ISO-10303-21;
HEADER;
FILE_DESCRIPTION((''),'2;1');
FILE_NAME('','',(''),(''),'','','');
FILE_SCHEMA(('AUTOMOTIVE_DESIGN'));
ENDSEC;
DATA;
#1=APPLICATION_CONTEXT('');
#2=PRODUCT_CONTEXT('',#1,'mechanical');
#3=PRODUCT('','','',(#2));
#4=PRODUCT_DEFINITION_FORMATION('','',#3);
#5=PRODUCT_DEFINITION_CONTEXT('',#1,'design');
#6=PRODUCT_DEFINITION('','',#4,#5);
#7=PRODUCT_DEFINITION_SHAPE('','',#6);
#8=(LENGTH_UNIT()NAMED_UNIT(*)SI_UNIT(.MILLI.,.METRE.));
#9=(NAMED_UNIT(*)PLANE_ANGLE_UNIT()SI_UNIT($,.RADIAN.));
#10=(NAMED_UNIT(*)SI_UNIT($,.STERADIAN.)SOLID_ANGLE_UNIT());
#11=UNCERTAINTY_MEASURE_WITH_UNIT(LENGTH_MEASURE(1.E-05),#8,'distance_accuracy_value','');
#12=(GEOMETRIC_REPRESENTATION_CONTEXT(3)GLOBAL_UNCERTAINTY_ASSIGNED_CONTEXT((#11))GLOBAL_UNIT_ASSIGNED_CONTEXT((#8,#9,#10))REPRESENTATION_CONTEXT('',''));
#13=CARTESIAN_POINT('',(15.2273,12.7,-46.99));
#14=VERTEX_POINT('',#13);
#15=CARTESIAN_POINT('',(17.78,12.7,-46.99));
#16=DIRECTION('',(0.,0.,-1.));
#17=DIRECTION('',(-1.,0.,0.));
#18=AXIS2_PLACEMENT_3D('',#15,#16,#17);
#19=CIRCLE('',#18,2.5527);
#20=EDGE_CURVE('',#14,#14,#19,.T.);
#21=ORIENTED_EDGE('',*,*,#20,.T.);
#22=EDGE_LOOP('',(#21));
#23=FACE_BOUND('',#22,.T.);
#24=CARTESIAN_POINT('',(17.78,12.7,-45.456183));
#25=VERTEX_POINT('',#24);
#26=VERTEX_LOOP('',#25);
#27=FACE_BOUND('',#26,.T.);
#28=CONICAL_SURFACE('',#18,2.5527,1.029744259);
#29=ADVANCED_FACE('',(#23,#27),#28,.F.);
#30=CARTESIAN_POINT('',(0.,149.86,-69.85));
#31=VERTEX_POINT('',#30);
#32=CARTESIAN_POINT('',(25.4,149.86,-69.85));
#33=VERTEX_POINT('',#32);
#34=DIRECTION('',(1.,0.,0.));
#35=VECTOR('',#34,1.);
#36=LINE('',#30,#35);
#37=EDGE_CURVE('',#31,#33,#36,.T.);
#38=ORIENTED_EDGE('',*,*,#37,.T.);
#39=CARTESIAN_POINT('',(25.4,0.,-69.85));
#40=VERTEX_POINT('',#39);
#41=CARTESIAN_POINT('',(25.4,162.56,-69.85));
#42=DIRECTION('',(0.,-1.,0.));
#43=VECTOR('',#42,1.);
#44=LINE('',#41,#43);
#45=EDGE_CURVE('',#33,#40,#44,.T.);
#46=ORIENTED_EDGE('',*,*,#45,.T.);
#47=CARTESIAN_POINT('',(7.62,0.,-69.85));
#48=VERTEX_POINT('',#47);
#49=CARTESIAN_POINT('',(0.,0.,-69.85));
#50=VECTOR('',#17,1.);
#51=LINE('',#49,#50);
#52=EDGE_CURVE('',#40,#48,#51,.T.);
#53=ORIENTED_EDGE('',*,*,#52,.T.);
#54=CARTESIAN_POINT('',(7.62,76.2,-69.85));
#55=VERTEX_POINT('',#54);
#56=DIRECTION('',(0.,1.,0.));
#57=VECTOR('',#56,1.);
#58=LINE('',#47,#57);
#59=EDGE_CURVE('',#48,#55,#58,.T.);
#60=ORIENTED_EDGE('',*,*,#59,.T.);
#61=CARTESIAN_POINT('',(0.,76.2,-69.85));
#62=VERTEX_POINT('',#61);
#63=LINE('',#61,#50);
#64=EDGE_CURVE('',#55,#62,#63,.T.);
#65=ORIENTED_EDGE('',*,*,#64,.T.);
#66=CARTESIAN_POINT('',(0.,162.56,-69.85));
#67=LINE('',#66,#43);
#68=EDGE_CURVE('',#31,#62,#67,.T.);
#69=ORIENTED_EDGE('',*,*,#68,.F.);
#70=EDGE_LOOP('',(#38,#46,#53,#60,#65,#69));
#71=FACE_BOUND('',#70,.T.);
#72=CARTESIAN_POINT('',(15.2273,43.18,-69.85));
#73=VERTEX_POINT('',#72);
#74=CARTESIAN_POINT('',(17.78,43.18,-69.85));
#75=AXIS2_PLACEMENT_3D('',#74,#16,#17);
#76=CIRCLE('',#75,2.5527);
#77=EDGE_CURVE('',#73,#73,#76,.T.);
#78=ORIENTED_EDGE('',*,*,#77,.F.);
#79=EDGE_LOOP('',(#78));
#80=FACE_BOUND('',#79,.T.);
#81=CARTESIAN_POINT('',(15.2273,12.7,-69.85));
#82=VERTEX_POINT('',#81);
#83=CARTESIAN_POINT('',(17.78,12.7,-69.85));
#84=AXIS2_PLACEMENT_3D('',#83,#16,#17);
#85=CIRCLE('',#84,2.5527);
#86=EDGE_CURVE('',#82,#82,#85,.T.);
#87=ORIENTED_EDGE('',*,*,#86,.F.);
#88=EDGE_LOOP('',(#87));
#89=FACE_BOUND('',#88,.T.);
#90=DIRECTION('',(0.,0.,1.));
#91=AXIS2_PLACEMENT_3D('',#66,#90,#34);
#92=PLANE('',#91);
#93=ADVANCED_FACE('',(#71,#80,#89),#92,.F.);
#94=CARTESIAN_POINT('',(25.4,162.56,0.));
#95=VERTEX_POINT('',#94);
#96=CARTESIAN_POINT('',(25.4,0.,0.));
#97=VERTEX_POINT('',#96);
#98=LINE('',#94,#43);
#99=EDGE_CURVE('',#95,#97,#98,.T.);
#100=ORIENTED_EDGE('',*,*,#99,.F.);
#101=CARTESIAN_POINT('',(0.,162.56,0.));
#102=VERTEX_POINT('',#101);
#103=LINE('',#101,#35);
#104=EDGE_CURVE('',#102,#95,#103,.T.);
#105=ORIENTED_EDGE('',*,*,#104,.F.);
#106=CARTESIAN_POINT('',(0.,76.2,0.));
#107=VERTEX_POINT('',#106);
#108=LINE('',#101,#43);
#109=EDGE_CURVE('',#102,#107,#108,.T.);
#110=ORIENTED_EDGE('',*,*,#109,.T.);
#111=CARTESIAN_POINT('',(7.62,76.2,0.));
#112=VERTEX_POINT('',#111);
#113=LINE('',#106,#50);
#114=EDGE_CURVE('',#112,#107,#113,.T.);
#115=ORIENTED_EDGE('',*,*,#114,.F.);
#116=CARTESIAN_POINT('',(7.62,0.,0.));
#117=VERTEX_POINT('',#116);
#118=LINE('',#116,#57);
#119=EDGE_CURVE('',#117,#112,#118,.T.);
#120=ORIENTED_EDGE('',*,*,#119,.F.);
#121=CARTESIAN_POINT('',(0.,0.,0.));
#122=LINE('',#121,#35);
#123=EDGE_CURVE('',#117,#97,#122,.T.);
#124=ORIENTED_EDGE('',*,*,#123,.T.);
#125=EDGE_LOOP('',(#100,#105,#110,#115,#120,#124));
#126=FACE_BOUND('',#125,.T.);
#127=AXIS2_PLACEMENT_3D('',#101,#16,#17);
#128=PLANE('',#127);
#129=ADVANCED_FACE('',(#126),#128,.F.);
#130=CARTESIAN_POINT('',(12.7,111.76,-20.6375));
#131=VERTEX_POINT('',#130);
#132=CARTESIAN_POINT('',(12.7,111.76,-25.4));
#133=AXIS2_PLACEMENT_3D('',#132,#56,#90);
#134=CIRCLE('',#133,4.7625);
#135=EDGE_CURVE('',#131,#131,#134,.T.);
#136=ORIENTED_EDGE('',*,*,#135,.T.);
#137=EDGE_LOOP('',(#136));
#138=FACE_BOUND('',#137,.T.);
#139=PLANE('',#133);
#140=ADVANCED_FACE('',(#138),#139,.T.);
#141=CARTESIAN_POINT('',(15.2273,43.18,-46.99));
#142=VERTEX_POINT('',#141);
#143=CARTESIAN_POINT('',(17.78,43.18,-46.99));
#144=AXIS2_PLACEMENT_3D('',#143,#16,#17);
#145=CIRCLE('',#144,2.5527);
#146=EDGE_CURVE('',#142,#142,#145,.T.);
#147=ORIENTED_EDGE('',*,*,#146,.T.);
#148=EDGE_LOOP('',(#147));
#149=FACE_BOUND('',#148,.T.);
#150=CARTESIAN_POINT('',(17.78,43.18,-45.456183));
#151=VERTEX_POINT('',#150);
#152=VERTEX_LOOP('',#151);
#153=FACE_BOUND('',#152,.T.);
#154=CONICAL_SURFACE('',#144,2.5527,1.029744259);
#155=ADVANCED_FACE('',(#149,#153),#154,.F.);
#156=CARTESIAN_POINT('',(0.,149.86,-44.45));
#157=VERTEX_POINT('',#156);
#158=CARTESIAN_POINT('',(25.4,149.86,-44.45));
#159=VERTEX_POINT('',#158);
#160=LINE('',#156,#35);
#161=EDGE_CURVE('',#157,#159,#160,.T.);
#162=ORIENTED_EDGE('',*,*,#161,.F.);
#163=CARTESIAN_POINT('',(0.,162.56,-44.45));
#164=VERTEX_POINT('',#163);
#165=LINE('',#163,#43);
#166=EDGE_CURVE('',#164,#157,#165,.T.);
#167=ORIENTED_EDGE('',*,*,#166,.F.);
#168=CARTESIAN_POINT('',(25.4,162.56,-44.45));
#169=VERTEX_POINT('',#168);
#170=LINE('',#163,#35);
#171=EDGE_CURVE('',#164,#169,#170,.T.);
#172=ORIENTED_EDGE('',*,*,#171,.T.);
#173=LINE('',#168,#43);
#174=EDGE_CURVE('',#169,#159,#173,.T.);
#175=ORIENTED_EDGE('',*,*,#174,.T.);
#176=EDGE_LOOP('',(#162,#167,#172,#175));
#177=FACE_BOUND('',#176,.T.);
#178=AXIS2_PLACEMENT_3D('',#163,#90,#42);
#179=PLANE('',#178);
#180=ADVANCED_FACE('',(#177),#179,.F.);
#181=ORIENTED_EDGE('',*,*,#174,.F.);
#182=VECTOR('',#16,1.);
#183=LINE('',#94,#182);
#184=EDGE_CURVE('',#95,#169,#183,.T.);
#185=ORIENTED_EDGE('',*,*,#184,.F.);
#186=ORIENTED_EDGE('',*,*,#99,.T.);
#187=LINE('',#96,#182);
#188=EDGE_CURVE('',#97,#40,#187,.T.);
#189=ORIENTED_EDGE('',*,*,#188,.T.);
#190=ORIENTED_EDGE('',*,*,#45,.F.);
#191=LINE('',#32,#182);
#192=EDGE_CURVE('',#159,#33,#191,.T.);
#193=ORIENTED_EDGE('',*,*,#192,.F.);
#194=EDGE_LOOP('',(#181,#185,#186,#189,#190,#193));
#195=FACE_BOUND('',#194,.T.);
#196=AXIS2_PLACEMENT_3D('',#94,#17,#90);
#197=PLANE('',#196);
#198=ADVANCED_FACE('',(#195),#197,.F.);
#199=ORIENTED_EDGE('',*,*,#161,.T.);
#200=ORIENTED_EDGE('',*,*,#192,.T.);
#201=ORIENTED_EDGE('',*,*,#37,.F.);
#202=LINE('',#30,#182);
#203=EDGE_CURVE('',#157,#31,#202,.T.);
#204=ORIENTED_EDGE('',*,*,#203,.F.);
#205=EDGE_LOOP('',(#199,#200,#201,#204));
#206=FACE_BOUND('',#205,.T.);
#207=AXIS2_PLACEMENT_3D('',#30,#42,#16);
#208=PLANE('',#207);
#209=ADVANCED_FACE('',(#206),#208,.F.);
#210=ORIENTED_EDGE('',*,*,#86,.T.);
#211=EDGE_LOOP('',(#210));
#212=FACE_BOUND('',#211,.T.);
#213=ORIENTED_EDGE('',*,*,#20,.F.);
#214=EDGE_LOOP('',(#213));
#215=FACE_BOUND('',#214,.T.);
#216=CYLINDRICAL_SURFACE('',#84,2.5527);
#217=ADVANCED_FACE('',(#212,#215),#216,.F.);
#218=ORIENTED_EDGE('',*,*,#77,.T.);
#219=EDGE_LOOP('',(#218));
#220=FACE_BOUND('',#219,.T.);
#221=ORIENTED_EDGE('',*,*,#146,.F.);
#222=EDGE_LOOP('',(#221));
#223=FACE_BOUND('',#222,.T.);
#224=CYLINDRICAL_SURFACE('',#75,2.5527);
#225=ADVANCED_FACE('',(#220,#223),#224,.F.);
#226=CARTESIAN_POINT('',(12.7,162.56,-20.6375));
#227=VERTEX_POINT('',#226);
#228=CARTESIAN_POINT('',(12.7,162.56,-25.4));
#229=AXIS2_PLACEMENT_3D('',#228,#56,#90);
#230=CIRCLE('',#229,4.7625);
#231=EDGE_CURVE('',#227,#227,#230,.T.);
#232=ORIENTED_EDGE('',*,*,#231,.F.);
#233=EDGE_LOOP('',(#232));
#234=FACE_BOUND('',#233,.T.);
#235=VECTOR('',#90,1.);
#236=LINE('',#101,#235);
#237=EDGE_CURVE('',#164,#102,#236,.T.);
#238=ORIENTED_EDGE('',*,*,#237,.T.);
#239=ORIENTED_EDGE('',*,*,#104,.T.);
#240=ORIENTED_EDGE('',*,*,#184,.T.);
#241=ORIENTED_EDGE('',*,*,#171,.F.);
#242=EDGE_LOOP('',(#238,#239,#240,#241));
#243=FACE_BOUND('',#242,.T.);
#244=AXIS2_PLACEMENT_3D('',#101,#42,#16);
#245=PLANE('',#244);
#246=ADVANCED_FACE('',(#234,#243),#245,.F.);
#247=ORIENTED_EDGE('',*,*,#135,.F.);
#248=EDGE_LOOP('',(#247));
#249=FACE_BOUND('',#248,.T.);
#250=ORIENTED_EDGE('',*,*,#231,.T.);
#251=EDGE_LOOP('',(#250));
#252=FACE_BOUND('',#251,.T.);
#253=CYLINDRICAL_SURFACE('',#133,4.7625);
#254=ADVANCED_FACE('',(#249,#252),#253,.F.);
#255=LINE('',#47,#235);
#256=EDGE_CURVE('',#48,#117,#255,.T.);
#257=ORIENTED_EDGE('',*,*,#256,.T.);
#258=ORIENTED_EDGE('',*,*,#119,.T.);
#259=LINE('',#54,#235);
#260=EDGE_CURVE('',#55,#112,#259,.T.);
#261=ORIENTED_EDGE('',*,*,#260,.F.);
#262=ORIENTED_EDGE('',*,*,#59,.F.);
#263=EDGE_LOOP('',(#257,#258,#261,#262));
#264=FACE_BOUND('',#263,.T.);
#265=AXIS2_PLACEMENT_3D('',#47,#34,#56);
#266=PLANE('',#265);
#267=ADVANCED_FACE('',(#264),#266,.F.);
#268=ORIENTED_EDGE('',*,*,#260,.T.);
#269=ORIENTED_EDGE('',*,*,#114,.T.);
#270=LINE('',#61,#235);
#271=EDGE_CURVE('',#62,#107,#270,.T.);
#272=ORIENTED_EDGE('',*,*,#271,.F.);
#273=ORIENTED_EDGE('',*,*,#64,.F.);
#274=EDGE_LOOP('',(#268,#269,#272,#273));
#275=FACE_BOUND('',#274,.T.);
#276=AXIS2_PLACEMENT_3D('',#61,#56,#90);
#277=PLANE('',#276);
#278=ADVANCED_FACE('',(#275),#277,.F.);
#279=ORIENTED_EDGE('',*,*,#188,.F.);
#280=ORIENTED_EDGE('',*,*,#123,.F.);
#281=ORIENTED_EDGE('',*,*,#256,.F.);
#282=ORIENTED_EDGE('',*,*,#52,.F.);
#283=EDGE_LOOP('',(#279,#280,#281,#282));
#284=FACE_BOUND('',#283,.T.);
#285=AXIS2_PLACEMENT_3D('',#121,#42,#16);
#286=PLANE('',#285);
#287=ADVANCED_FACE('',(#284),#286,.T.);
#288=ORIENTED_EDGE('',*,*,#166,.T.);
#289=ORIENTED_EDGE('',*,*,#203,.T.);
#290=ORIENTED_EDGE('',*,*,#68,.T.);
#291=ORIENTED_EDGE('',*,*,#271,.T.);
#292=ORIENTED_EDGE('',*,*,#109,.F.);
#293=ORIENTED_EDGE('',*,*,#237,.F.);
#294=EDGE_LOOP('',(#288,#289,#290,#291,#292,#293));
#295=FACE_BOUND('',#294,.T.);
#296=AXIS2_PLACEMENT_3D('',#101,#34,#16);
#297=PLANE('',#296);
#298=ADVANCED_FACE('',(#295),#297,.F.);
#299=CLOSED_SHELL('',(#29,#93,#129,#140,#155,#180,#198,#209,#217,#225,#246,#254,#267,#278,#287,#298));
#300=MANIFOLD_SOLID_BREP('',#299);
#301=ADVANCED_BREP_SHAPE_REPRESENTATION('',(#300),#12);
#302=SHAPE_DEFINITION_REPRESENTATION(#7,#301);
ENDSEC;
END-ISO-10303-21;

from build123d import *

# Parameters (mm, degrees)
SKETCH1_W                   = 25.4
SKETCH1_H                   = 69.85
BOSS_EXTRUDE1_DEPTH         = 162.56
SKETCH2_R                   = 4.7625
CUT_EXTRUDE1_DEPTH          = 50.8
SKETCH3_W                   = 7.62
SKETCH3_H                   = 76.2
CUT_EXTRUDE2_DEPTH          = 179.745450571
SKETCH4_W                   = 25.4
SKETCH4_H                   = 12.7
CUT_EXTRUDE3_DEPTH          = 179.745450571
F_1_4_20_TAPPED_HOLE1_D     = 5.1054
F_1_4_20_TAPPED_HOLE1_DEPTH = 22.86
F_1_4_20_TAPPED_HOLE1_TIP   = 1.533816902


with BuildPart() as part:
    # Sketch1 → Boss-Extrude1 (new body)
    with BuildSketch(Plane(origin=(0, 0, 0), x_dir=(1, 0, 0), z_dir=(0, 1, 0))):
        with Locations((12.7, 34.925)):
            Rectangle(SKETCH1_W, SKETCH1_H)
    extrude(amount=BOSS_EXTRUDE1_DEPTH)

    # Sketch2 → Cut-Extrude1 (cut)
    with BuildSketch(Plane(origin=(0, 162.56, 0), x_dir=(1, 0, 0), z_dir=(0, 1, 0))):
        with Locations(Location((12.7, 25.4, 0), (0, 0, 270))):
            Circle(SKETCH2_R)
    extrude(amount=-CUT_EXTRUDE1_DEPTH, mode=Mode.SUBTRACT)

    # Sketch3 → Cut-Extrude2 (cut, through all)
    with BuildSketch(Plane.XY):
        with Locations((3.81, 38.1)):
            Rectangle(SKETCH3_W, SKETCH3_H)
    extrude(amount=-CUT_EXTRUDE2_DEPTH, mode=Mode.SUBTRACT)

    # Sketch4 → Cut-Extrude3 (cut, through all)
    with BuildSketch(Plane(origin=(25.4, 0, 0), x_dir=(0, 0, -1), z_dir=(1, 0, 0))):
        with Locations((57.15, 156.21)):
            Rectangle(SKETCH4_W, SKETCH4_H)
    extrude(amount=-CUT_EXTRUDE3_DEPTH, mode=Mode.SUBTRACT)

    # 1/4-20 Tapped Hole1
    with Locations(Plane(origin=(0, 0, -69.85), x_dir=(-1, 0, 0), z_dir=(0, 0, -1))):
        with Locations((-17.78, 43.18), (-17.78, 12.7)):
            Hole(F_1_4_20_TAPPED_HOLE1_D / 2, depth=F_1_4_20_TAPPED_HOLE1_DEPTH)
            with Locations((0, 0, -(F_1_4_20_TAPPED_HOLE1_DEPTH + F_1_4_20_TAPPED_HOLE1_TIP / 2))):  # 118° drill point
                Cone(0, F_1_4_20_TAPPED_HOLE1_D / 2, F_1_4_20_TAPPED_HOLE1_TIP, mode=Mode.SUBTRACT)


solid = part.part
